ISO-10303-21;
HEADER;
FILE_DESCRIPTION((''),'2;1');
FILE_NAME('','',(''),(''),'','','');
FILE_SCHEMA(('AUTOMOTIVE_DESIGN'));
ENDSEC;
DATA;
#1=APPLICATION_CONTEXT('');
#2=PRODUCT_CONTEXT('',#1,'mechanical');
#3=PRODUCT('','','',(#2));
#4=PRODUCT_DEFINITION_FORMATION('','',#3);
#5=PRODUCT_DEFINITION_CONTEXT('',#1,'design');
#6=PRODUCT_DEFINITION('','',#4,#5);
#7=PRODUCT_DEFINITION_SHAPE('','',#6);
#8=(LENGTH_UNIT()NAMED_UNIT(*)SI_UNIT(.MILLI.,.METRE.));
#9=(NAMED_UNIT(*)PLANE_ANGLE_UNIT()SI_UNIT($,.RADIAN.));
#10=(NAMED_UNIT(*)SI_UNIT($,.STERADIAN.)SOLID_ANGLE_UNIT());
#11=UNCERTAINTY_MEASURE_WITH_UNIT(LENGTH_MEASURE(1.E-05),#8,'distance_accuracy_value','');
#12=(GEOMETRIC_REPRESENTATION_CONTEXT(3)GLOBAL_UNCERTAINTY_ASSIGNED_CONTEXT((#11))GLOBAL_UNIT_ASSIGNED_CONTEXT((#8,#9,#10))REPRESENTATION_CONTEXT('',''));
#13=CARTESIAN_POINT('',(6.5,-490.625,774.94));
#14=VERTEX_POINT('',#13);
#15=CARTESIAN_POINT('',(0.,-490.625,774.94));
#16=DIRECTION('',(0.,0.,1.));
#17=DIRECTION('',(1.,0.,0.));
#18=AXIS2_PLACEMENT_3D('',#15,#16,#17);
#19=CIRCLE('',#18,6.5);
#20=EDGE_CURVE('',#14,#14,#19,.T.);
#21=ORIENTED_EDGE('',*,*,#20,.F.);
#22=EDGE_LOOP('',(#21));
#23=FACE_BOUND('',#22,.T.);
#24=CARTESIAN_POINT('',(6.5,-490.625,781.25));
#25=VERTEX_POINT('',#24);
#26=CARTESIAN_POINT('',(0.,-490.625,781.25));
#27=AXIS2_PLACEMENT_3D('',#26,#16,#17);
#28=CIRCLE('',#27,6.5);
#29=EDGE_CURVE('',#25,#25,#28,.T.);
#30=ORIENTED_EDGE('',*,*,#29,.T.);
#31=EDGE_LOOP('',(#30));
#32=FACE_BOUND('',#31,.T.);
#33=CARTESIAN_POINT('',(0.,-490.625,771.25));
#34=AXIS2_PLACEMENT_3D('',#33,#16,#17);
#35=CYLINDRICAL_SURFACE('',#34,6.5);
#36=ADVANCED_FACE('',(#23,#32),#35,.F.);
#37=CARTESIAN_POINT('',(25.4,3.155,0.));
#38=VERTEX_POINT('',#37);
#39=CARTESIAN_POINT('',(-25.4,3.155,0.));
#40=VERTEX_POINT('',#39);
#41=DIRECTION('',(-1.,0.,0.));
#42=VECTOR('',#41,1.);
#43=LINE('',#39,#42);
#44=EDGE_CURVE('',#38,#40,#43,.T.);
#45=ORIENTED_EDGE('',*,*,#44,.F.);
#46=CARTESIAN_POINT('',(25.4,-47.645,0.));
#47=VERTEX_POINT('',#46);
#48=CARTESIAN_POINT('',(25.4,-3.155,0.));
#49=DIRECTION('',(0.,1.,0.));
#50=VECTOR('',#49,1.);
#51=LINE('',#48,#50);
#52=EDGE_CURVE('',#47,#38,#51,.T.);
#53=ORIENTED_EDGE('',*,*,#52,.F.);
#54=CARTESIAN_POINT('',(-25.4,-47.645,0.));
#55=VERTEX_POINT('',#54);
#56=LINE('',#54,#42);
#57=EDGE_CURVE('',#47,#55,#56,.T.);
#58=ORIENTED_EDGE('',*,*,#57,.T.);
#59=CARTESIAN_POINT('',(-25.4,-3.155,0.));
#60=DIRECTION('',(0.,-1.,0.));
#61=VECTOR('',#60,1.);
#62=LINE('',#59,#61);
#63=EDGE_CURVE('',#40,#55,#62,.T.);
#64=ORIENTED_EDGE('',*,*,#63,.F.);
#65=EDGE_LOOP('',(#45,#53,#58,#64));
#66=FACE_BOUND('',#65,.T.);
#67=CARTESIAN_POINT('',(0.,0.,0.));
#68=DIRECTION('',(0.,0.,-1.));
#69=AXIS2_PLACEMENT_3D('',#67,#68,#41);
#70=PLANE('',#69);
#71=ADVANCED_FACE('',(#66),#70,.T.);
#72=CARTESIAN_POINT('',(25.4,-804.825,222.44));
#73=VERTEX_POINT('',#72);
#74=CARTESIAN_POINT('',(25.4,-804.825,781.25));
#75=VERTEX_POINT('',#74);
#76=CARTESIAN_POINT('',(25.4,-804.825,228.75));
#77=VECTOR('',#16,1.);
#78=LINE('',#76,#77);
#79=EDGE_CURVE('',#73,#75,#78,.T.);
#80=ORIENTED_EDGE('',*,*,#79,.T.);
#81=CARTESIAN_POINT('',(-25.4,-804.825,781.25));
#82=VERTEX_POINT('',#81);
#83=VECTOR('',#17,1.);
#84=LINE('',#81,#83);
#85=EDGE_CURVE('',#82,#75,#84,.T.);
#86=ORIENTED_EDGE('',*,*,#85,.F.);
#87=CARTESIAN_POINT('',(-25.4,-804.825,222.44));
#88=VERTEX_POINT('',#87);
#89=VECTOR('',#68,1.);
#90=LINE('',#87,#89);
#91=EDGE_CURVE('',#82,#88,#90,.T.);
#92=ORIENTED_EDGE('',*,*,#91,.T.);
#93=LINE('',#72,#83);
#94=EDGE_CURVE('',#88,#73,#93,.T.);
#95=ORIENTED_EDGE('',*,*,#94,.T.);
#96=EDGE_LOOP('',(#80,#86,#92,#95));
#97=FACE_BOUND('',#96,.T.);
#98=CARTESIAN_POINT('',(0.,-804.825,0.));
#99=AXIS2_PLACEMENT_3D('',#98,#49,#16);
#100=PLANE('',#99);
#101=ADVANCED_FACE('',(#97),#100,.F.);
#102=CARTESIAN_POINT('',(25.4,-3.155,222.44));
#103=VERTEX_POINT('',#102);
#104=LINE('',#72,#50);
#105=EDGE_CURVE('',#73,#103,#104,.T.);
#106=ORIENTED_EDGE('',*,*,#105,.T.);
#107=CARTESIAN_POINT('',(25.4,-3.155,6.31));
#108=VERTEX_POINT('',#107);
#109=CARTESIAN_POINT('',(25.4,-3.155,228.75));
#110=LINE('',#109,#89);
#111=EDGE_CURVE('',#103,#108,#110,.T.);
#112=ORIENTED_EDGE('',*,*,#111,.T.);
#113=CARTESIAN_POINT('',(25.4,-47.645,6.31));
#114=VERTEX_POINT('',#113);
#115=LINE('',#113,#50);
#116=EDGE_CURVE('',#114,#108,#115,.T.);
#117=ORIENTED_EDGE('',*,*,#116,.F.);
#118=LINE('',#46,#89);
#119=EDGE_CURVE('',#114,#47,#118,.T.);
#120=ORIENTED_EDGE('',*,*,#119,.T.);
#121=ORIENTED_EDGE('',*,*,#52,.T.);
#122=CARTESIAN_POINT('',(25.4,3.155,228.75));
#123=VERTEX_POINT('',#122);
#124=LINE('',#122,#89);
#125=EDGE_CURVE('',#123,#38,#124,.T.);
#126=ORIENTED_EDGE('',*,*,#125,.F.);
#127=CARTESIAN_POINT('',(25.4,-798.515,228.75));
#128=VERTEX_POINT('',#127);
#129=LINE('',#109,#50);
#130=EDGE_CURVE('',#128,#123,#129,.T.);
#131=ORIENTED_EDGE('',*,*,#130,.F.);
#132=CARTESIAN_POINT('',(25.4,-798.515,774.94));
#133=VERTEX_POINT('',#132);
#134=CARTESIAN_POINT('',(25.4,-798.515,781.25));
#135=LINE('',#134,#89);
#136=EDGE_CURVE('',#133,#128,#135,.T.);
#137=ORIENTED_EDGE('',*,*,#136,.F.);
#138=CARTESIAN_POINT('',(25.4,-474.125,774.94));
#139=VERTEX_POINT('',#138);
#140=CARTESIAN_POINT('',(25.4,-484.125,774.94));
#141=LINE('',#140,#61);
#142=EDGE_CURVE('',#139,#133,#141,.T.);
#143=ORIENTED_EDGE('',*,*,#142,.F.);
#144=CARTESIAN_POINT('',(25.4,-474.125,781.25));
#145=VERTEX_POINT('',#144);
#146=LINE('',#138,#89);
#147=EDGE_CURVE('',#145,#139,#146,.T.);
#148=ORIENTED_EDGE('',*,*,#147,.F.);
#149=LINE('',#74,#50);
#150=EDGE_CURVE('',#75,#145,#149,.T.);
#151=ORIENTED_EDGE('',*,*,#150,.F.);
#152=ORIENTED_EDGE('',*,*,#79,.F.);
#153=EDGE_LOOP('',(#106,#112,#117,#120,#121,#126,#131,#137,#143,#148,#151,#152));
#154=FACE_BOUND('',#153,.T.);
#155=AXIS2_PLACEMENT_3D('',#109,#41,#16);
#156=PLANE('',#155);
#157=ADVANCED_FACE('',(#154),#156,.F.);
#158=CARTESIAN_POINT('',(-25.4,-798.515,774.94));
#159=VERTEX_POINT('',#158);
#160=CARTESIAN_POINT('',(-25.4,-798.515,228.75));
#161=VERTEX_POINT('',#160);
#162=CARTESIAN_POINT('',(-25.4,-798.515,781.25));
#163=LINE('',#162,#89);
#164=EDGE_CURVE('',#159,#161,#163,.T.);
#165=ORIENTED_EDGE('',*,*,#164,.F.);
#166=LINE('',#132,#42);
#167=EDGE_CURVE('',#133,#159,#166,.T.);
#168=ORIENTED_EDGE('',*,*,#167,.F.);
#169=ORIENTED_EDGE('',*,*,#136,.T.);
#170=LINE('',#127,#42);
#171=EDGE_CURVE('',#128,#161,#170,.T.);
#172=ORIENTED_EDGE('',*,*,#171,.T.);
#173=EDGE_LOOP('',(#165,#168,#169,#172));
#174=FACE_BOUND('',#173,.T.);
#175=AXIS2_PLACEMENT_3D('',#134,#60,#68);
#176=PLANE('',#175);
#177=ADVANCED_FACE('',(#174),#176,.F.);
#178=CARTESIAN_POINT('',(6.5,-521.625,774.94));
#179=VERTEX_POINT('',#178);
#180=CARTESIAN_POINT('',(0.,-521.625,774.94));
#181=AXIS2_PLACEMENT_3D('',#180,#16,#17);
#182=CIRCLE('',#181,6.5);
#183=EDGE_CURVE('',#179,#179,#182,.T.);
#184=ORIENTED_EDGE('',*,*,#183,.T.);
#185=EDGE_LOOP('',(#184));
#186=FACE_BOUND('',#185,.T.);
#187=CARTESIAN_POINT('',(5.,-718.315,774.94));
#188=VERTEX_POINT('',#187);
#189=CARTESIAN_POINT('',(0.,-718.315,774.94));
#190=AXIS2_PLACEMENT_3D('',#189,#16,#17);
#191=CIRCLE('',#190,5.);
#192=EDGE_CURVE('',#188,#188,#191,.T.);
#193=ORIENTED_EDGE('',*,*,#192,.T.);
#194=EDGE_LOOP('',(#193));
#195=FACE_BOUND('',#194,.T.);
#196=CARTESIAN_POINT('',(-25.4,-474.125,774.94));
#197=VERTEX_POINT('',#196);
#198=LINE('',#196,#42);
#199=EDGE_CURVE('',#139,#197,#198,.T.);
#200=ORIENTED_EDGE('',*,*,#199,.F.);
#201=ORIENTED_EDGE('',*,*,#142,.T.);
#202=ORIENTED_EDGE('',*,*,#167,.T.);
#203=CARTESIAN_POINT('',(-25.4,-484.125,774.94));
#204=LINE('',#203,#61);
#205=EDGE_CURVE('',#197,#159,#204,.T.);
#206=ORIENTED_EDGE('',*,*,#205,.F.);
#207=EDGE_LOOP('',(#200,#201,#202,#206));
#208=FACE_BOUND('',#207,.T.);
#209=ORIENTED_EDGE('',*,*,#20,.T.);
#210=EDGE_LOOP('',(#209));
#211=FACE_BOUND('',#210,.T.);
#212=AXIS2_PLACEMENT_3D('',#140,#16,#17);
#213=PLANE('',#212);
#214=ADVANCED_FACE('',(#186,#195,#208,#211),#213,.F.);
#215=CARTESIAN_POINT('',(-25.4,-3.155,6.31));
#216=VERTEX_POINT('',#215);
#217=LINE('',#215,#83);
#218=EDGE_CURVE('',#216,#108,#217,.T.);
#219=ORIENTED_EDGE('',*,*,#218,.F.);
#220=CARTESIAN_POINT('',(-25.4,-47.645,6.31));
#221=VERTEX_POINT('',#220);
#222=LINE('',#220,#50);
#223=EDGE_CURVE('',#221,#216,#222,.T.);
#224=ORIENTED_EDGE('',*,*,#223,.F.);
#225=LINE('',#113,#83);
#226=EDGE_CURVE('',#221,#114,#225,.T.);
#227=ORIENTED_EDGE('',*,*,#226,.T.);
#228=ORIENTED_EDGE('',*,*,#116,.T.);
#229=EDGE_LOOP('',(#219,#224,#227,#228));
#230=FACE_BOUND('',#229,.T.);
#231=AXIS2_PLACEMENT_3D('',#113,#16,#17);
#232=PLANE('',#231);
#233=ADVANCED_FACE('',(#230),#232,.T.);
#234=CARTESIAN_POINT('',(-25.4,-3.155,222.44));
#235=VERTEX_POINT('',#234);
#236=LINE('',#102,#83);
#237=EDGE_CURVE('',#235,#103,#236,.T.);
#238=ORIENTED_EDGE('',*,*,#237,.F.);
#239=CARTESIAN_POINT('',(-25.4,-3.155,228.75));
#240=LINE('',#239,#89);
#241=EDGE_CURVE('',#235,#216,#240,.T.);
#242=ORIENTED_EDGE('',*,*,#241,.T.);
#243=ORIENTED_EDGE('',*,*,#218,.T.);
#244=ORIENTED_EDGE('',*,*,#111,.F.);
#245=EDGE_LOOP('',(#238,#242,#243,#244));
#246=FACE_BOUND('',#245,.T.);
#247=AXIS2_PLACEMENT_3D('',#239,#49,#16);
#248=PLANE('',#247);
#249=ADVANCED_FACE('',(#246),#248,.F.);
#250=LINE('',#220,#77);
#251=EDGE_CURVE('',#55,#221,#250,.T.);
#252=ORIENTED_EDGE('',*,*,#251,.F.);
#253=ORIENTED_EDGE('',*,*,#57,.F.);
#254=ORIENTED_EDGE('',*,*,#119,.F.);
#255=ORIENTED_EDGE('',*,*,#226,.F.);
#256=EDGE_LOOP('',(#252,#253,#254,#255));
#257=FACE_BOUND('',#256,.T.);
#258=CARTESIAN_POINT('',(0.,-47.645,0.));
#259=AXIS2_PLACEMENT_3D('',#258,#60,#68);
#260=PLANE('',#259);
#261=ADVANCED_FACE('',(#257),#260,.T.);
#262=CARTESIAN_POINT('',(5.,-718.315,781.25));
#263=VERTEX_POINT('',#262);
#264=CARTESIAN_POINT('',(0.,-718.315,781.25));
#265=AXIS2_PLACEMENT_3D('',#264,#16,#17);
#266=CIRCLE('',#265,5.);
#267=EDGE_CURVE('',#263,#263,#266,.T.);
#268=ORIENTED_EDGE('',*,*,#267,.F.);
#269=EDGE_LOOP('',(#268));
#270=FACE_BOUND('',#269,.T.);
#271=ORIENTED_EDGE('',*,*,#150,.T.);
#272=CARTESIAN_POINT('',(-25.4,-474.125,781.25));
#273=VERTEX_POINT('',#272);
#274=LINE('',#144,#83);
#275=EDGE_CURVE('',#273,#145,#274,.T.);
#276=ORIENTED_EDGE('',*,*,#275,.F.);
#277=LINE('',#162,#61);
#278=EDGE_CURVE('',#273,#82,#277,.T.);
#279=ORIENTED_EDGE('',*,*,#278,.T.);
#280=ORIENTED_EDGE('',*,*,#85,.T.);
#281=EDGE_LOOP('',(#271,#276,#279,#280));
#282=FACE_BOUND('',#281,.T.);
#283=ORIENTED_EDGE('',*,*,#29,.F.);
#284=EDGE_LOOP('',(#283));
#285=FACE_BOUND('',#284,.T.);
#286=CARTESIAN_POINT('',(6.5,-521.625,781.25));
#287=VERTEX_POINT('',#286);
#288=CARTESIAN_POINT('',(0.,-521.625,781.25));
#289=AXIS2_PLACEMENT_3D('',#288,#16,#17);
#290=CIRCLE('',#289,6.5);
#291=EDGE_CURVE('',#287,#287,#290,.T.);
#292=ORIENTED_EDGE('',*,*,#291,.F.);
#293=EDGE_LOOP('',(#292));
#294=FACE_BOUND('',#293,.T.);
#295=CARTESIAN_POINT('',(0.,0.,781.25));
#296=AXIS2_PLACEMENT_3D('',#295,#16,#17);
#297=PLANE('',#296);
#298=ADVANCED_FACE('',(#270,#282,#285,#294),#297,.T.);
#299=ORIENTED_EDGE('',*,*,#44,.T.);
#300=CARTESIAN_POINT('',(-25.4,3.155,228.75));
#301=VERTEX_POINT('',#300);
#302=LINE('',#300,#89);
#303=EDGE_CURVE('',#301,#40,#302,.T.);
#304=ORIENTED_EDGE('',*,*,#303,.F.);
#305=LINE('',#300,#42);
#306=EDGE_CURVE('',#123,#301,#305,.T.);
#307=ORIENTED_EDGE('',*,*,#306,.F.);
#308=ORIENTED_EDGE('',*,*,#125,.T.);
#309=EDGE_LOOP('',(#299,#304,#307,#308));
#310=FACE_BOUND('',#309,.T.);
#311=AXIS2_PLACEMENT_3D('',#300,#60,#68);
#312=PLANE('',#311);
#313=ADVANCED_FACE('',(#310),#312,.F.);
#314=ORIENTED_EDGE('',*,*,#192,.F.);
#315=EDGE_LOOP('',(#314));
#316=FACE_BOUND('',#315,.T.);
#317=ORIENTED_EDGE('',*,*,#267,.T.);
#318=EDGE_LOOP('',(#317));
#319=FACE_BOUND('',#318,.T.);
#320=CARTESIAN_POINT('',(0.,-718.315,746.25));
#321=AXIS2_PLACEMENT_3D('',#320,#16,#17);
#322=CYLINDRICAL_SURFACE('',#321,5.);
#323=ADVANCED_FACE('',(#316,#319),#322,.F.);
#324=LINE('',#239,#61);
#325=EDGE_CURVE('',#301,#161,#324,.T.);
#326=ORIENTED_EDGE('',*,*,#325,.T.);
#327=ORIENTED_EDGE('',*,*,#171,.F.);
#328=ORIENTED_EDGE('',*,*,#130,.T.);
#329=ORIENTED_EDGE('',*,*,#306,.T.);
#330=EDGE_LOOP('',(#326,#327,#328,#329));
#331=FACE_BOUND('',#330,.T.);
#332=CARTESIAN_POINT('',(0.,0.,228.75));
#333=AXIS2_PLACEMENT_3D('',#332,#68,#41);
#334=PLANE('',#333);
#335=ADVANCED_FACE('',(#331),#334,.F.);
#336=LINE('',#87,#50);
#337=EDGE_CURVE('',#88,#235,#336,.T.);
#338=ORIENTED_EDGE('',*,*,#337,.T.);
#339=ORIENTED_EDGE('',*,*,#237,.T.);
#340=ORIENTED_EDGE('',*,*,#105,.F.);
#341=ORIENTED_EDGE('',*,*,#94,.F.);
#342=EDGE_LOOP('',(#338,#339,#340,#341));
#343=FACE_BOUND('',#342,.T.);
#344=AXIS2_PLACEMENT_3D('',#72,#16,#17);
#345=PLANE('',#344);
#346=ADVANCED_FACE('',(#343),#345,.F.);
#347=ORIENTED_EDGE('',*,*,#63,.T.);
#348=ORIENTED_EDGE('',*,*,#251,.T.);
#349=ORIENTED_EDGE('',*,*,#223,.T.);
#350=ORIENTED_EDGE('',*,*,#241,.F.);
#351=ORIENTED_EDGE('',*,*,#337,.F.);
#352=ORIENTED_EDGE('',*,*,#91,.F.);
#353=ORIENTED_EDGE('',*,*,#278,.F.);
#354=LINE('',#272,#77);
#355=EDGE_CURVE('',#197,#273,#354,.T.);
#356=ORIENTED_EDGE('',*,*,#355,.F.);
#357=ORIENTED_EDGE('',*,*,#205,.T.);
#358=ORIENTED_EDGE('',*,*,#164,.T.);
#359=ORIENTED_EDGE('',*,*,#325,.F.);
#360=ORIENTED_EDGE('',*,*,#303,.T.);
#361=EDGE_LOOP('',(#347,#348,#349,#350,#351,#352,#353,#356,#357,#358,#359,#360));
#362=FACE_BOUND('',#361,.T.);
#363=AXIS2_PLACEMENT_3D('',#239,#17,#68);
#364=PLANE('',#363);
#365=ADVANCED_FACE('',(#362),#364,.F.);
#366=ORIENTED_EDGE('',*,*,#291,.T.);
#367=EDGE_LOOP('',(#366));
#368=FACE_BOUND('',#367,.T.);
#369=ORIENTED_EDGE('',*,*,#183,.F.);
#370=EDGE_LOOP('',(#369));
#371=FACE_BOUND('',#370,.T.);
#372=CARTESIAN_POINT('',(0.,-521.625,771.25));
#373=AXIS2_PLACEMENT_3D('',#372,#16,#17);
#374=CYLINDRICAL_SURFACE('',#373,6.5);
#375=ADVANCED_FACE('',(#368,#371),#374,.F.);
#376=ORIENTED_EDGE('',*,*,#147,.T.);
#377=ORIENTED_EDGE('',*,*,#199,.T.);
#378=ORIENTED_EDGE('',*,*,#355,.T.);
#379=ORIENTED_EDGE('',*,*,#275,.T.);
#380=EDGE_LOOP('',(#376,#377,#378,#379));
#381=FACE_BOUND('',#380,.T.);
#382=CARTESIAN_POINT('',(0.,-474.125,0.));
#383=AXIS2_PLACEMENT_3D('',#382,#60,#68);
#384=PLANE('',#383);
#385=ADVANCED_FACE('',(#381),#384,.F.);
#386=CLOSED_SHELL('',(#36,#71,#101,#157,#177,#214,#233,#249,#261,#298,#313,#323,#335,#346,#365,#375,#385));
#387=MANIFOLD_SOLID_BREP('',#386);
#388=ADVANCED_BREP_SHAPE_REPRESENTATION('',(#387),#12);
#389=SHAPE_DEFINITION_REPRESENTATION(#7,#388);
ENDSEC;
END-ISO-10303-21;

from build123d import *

# Parameters (mm, degrees)
CROQUIS1_W              = 50.8
CROQUIS1_H              = 6.31
SALIENTE_EXTRUIR1_DEPTH = 228.75
CROQUIS2_W              = 50.8
CROQUIS2_H              = 6.31
SALIENTE_EXTRUIR2_DEPTH = 801.67
CROQUIS3_W              = 50.8
CROQUIS3_H              = 6.31
SALIENTE_EXTRUIR3_DEPTH = 552.5
CROQUIS4_W              = 50.8
CROQUIS4_H              = 6.31
SALIENTE_EXTRUIR4_DEPTH = 314.39
CROQUIS6_W              = 50.8
CROQUIS6_H              = 6.31
SALIENTE_EXTRUIR5_DEPTH = 10
CROQUIS7_W              = 50.8
CROQUIS7_H              = 6.31
SALIENTE_EXTRUIR6_DEPTH = 50.8
CROQUIS12_R             = 6.5
CORTAR_EXTRUIR3_DEPTH   = 10
CROQUIS13_R             = 5
CORTAR_EXTRUIR4_DEPTH   = 35


with BuildPart() as part:
    # Croquis1 → Saliente-Extruir1 (new body)
    with BuildSketch(Plane.XY):
        Rectangle(CROQUIS1_W, CROQUIS1_H)
    extrude(amount=SALIENTE_EXTRUIR1_DEPTH)

    # Croquis2 → Saliente-Extruir2 (add)
    with BuildSketch(Plane.XZ.offset(3.155)):
        with Locations((0, 225.595)):
            Rectangle(CROQUIS2_W, CROQUIS2_H)
    extrude(amount=SALIENTE_EXTRUIR2_DEPTH)

    # Croquis3 → Saliente-Extruir3 (add)
    with BuildSketch(Plane.XY.offset(228.75)):
        with Locations((0, -801.67)):
            Rectangle(CROQUIS3_W, CROQUIS3_H)
    extrude(amount=SALIENTE_EXTRUIR3_DEPTH)

    # Croquis4 → Saliente-Extruir4 (add)
    with BuildSketch(Plane(origin=(0, -798.515, 0), x_dir=(1, 0, 0), z_dir=(0, 1, 0))):
        with Locations((0, -778.095)):
            Rectangle(CROQUIS4_W, CROQUIS4_H)
    extrude(amount=SALIENTE_EXTRUIR4_DEPTH)

    # Croquis6 → Saliente-Extruir5 (add)
    with BuildSketch(Plane(origin=(0, -484.125, 0), x_dir=(1, 0, 0), z_dir=(0, 1, 0))):
        with Locations((0, -778.095)):
            Rectangle(CROQUIS6_W, CROQUIS6_H)
    extrude(amount=SALIENTE_EXTRUIR5_DEPTH)

    # Croquis7 → Saliente-Extruir6 (add)
    with BuildSketch(Plane(origin=(0, 3.155, 0), x_dir=(1, 0, 0), z_dir=(0, 1, 0))):
        with Locations((0, -3.155)):
            Rectangle(CROQUIS7_W, CROQUIS7_H)
    extrude(amount=-SALIENTE_EXTRUIR6_DEPTH)

    # Croquis12 → Cortar-Extruir3 (cut)
    with BuildSketch(Plane.XY.offset(781.25)):
        with Locations((0, -521.625)):
            Circle(CROQUIS12_R)
        with Locations((0, -490.625)):
            Circle(CROQUIS12_R)
    extrude(amount=-CORTAR_EXTRUIR3_DEPTH, mode=Mode.SUBTRACT)

    # Croquis13 → Cortar-Extruir4 (cut)
    with BuildSketch(Plane.XY.offset(781.25)):
        with Locations((0, -718.315)):
            Circle(CROQUIS13_R)
    extrude(amount=-CORTAR_EXTRUIR4_DEPTH, mode=Mode.SUBTRACT)


solid = part.part
